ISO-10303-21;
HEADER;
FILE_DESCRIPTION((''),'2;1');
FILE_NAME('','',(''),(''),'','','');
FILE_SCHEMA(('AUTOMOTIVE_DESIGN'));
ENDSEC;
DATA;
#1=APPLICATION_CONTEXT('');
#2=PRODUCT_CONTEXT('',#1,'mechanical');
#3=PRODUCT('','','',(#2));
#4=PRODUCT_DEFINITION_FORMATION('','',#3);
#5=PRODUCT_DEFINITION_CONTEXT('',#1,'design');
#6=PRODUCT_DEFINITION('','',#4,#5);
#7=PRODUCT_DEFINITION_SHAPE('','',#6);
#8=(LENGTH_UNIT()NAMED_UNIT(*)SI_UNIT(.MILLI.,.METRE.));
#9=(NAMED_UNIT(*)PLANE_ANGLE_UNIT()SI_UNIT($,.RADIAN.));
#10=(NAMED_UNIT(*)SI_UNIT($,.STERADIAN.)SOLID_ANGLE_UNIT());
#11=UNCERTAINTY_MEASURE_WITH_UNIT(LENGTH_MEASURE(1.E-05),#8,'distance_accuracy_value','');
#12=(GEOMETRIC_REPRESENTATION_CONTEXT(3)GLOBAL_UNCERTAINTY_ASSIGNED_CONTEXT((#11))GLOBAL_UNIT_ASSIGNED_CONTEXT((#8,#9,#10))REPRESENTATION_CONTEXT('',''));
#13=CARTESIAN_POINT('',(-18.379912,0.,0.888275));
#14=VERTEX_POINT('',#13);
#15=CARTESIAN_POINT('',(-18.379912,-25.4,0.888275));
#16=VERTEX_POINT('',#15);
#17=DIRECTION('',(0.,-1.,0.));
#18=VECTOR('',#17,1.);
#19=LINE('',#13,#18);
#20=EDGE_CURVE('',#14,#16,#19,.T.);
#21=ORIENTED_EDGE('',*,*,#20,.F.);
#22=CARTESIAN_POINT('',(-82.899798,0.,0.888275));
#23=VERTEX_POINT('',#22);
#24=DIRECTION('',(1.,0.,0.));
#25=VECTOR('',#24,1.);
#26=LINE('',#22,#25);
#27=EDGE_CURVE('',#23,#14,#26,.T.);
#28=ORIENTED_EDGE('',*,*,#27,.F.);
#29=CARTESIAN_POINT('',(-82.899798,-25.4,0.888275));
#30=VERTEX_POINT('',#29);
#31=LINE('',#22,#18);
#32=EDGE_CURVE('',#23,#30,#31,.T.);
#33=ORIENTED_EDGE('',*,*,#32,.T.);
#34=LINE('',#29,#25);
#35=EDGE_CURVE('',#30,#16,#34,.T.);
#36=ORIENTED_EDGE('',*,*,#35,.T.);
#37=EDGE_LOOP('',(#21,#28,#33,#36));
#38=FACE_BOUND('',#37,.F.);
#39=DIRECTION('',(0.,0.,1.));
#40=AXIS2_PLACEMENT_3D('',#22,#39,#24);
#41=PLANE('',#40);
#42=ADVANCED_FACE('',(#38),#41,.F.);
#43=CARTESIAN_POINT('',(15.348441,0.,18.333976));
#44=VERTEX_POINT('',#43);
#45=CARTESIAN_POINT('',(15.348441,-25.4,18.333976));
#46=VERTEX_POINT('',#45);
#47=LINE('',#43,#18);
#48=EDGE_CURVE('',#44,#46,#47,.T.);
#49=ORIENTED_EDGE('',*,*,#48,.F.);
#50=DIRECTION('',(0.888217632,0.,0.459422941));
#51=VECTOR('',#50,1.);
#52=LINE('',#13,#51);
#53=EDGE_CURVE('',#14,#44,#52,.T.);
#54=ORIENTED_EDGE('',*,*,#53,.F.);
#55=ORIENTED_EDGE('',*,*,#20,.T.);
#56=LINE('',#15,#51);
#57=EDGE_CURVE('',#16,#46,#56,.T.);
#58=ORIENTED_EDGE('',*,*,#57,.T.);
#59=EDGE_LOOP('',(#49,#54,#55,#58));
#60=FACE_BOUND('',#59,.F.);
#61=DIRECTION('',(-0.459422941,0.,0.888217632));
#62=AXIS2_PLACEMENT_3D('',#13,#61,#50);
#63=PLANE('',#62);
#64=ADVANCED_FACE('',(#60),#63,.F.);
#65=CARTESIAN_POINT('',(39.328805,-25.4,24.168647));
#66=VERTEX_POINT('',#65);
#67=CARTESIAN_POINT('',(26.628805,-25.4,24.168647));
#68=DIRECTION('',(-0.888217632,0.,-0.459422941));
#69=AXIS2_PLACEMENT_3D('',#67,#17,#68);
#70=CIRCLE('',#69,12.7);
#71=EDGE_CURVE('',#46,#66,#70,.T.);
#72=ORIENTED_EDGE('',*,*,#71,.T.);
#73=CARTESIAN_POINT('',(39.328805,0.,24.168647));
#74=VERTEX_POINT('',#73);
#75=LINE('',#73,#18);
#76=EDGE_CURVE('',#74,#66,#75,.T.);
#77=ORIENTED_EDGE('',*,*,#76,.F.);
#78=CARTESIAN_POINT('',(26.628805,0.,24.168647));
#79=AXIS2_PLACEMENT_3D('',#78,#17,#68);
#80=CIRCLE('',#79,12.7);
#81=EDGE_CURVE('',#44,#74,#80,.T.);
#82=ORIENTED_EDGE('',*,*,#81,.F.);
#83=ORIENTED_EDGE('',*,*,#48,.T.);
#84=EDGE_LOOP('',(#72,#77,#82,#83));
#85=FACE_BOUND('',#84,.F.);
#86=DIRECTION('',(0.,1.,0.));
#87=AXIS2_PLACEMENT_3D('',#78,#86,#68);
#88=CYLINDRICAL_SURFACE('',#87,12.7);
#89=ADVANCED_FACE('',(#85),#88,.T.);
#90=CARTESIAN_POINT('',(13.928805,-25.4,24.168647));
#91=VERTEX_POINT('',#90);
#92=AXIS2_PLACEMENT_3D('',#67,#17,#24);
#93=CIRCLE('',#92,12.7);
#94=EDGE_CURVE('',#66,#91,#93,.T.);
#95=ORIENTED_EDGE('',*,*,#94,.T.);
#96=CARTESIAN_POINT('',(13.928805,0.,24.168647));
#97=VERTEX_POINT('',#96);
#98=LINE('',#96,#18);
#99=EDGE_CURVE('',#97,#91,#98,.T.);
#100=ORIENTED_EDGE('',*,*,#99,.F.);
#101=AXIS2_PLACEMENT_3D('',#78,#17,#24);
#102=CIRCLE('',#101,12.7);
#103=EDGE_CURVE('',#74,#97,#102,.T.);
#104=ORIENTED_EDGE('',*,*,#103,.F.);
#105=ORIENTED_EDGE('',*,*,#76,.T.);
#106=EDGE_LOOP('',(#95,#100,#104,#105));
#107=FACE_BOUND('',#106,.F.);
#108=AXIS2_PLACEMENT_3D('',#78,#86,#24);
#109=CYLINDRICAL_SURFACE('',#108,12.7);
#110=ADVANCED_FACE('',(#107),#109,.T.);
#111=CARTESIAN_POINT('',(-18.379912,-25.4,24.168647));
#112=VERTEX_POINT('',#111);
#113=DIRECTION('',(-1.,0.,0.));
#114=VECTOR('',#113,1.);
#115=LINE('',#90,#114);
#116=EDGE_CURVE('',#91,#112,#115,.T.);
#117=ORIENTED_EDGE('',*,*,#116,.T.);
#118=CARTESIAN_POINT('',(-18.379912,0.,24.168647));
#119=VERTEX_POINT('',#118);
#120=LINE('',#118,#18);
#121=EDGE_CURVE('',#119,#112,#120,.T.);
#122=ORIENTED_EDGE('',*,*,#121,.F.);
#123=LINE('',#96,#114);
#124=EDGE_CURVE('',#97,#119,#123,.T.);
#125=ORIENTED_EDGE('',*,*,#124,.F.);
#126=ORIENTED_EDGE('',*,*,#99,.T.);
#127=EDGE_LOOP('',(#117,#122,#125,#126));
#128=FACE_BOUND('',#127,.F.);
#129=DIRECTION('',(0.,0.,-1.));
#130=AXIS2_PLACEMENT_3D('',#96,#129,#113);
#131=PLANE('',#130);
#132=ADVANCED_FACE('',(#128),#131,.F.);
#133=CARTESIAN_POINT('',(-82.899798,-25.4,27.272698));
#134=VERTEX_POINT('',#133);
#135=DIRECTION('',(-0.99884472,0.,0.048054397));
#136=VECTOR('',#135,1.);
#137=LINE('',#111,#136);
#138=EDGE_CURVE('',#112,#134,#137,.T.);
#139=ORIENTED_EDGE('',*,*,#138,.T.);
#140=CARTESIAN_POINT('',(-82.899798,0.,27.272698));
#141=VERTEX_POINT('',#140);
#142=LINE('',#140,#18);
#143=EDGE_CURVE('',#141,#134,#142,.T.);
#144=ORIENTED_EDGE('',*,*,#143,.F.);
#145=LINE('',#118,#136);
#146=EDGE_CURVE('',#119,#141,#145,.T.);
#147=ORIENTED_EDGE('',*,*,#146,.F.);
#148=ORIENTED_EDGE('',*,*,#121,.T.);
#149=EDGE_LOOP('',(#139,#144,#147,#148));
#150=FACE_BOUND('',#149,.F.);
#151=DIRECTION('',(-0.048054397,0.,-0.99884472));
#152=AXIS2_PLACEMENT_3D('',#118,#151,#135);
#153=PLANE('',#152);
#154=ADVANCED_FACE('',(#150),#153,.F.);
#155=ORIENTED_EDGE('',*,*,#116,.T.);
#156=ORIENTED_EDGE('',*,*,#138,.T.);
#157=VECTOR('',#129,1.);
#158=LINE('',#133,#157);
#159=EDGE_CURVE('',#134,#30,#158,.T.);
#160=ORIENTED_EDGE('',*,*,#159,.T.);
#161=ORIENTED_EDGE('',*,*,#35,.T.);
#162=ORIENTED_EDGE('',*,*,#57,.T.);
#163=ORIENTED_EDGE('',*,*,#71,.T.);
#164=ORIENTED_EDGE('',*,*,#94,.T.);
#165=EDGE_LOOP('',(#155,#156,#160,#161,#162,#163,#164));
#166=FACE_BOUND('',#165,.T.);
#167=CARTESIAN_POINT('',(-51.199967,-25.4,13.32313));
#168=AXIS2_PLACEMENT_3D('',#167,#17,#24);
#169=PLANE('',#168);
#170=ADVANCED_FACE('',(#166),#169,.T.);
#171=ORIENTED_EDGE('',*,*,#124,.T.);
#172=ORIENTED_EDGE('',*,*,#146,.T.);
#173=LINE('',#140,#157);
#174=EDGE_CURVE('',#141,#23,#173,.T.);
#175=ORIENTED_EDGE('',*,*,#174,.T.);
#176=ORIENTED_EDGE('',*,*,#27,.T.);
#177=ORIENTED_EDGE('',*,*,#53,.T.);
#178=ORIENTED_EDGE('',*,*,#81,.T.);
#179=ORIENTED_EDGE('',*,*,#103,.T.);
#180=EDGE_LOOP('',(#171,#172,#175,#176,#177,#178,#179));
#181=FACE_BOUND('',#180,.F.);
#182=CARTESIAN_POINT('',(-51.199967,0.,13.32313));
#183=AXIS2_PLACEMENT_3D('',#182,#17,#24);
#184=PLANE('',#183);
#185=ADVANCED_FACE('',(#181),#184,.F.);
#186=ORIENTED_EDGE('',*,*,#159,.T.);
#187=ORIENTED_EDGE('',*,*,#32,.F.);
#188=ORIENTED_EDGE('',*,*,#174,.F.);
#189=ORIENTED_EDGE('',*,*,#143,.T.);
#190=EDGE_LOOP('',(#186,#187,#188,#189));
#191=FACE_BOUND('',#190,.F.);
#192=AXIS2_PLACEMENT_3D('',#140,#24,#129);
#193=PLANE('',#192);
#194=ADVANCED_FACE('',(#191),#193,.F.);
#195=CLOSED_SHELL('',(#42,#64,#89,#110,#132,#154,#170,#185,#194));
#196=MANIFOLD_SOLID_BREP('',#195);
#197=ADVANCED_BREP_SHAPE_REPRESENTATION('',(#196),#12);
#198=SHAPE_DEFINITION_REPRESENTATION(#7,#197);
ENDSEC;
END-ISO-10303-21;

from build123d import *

# Parameters (mm, degrees)
F1_DEPTH = 25.4


with BuildPart() as f1:
    # F0 (on Front) → F1 (new body)
    with BuildSketch(Plane.XZ):
        Polygon((-82.899797516, 27.2726975213), (-82.899797516, 0.8882751458), (-18.3799119938, 0.8882751458), (-18.3799119938, 24.1686472685), align=None)
        with BuildLine():
            Line((-18.3799119938, 24.1686472685), (-18.3799119938, 0.8882751458))
            Line((-18.3799119938, 0.8882751458), (15.3484408136, 18.3339759221))
            ThreePointArc((15.3484408136, 18.3339759221), (14.2888164515, 21.1662000872), (13.9288047385, 24.1686472685))
            Line((13.9288047385, 24.1686472685), (-18.3799119938, 24.1686472685))
        make_face()
        with BuildLine():
            Line((26.6288047385, 24.1686472685), (15.3484408136, 18.3339759221))
            ThreePointArc((15.3484408136, 18.3339759221), (29.6312519198, 11.8286589814), (39.3288047385, 24.1686472685))
            ThreePointArc((39.3288047385, 24.1686472685), (26.6288047385, 36.8686472685), (13.9288047385, 24.1686472685))
            Line((13.9288047385, 24.1686472685), (26.6288047385, 24.1686472685))
        make_face()
        with BuildLine():
            ThreePointArc((13.9288047385, 24.1686472685), (14.2888164515, 21.1662000872), (15.3484408136, 18.3339759221))
            Line((15.3484408136, 18.3339759221), (26.6288047385, 24.1686472685))
            Line((26.6288047385, 24.1686472685), (13.9288047385, 24.1686472685))
        make_face()
    extrude(amount=F1_DEPTH)


solid = f1.part
